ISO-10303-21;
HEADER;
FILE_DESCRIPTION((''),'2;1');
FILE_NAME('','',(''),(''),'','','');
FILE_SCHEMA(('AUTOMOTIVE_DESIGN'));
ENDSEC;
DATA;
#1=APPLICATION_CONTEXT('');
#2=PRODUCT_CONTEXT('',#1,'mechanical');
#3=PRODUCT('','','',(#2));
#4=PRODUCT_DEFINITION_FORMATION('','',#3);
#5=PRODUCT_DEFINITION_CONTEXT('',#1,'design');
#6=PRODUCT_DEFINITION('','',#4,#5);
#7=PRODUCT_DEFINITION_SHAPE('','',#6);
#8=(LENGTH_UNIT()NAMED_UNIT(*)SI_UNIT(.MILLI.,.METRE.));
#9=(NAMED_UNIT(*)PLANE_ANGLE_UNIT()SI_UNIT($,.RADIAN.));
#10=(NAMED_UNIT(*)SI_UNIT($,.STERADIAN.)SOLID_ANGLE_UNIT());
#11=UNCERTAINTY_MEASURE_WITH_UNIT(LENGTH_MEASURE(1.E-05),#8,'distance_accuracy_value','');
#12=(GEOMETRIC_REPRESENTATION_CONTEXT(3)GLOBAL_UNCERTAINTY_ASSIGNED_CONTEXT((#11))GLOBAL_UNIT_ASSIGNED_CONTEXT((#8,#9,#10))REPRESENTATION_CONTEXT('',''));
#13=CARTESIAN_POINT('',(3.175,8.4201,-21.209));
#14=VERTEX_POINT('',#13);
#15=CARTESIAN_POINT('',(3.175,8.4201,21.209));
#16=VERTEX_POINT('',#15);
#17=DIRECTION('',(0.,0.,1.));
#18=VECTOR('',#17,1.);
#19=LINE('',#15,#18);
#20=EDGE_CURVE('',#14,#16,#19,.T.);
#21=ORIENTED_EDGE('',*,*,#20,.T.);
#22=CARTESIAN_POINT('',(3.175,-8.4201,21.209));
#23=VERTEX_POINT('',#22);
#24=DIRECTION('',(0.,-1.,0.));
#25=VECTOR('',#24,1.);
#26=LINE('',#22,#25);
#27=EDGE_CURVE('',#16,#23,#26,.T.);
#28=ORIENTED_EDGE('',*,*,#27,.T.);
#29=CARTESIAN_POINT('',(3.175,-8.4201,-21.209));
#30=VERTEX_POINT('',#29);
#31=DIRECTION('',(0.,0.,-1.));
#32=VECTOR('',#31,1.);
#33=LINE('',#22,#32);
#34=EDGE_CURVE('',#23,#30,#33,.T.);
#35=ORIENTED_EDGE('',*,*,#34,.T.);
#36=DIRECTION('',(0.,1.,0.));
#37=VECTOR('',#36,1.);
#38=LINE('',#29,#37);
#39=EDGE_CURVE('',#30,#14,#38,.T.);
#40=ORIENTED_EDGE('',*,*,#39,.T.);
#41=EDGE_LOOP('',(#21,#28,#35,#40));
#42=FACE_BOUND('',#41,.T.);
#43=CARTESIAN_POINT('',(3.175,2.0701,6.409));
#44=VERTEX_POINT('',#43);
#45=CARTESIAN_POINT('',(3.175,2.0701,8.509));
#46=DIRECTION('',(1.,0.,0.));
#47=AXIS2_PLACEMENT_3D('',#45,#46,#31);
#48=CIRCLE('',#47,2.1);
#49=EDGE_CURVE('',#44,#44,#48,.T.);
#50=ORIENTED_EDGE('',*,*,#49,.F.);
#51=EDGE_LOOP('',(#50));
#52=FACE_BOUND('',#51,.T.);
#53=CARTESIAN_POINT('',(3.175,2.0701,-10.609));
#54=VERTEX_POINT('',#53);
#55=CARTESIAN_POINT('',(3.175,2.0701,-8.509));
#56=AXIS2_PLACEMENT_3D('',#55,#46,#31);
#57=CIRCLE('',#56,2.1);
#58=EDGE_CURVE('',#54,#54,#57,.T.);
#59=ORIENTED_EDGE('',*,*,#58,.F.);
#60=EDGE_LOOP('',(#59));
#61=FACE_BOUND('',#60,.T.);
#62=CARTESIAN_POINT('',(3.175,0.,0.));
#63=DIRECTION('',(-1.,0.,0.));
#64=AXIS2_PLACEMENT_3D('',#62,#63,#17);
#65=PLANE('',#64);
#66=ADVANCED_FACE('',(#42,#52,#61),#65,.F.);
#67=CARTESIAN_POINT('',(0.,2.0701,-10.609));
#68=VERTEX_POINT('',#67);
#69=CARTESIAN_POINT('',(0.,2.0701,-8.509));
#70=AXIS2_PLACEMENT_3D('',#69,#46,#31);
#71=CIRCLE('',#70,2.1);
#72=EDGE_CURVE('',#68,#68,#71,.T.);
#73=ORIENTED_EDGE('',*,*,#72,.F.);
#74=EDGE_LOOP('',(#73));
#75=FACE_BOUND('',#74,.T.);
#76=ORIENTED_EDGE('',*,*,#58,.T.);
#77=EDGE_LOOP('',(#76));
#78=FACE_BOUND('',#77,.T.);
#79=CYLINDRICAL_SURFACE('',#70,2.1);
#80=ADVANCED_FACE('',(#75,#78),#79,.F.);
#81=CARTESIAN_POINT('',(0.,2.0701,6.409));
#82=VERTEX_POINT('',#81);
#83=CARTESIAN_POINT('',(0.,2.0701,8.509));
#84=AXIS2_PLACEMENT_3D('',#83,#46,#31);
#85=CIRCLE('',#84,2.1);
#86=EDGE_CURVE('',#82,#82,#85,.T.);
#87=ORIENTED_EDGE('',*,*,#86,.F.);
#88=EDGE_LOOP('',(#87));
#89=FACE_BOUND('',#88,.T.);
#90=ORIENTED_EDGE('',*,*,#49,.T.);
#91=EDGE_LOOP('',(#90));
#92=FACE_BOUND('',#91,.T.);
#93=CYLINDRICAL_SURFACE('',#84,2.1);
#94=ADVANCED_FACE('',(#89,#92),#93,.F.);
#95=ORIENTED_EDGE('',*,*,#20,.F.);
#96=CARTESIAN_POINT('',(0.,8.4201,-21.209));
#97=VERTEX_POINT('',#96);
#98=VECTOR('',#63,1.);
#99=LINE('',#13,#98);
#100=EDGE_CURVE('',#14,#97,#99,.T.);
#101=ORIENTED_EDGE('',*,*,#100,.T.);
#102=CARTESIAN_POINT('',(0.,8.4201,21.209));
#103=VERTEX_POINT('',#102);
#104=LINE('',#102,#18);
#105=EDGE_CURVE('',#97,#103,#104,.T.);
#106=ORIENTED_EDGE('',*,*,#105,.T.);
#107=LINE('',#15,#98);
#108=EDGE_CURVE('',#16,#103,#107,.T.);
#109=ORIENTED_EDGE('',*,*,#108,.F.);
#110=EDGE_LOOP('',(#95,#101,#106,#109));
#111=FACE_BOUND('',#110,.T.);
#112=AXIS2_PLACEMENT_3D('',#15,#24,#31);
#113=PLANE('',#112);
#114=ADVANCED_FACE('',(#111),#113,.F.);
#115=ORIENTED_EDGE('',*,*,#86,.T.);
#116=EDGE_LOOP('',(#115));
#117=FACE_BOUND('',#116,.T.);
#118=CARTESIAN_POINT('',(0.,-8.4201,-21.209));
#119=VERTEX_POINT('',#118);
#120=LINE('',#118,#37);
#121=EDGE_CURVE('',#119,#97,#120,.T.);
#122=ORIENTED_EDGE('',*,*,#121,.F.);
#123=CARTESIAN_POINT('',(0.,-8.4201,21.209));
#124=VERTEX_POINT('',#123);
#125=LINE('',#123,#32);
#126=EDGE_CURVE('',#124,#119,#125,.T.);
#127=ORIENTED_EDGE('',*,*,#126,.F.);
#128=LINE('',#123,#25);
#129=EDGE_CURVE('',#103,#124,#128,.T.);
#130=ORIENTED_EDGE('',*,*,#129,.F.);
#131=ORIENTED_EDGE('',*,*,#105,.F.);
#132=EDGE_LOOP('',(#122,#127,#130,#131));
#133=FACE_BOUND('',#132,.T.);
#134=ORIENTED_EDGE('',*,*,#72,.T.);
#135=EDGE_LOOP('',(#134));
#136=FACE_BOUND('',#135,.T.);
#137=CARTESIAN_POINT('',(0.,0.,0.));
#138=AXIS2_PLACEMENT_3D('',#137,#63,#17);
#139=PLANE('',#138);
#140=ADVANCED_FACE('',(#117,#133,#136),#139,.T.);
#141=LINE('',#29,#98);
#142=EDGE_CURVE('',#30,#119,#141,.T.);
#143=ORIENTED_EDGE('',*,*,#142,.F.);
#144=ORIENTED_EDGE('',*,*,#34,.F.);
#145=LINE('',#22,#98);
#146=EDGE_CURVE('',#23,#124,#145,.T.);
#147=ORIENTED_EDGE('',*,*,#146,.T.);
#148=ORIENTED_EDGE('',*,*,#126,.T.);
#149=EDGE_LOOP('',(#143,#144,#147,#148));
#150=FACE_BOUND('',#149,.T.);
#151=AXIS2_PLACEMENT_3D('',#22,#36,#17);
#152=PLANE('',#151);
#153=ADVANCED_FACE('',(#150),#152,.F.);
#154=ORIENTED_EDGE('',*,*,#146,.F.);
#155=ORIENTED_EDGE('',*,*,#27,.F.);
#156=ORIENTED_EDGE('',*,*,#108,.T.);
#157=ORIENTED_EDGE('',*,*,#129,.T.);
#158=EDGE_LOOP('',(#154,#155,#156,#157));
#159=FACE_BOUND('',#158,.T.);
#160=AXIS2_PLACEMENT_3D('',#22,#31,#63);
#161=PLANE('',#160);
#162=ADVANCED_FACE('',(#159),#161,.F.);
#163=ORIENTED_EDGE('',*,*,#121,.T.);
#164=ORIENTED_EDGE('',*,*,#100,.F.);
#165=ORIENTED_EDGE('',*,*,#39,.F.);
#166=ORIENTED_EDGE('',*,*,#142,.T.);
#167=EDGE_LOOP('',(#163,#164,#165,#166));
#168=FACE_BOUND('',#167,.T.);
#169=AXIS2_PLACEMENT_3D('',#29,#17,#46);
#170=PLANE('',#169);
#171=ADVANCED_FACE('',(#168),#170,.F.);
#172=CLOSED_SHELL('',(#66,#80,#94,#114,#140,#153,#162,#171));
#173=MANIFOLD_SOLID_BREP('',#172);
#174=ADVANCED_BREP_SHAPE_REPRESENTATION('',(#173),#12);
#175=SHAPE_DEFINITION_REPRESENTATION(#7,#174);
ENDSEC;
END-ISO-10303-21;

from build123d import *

# Parameters (mm, degrees)
SKETCH1_W           = 42.418
SKETCH1_H           = 16.8402
BOSS_EXTRUDE1_DEPTH = 3.175
SKETCH3_R           = 2.1
CUT_EXTRUDE1_DEPTH  = 4.175


with BuildPart() as part:
    # Sketch1 → Boss-Extrude1 (new body)
    with BuildSketch(Plane(origin=(0, 0, 0), x_dir=(0, 0, -1), z_dir=(1, 0, 0))):
        Rectangle(SKETCH1_W, SKETCH1_H)
    extrude(amount=BOSS_EXTRUDE1_DEPTH)

    # Sketch3 → Cut-Extrude1 (cut, through all)
    with BuildSketch(Plane(origin=(3.175, 0, 0), x_dir=(0, 0, -1), z_dir=(1, 0, 0))):
        with Locations((-8.509, 2.0701)):
            Circle(SKETCH3_R)
        with Locations((8.509, 2.0701)):
            Circle(SKETCH3_R)
    extrude(amount=-CUT_EXTRUDE1_DEPTH, mode=Mode.SUBTRACT)


solid = part.part
